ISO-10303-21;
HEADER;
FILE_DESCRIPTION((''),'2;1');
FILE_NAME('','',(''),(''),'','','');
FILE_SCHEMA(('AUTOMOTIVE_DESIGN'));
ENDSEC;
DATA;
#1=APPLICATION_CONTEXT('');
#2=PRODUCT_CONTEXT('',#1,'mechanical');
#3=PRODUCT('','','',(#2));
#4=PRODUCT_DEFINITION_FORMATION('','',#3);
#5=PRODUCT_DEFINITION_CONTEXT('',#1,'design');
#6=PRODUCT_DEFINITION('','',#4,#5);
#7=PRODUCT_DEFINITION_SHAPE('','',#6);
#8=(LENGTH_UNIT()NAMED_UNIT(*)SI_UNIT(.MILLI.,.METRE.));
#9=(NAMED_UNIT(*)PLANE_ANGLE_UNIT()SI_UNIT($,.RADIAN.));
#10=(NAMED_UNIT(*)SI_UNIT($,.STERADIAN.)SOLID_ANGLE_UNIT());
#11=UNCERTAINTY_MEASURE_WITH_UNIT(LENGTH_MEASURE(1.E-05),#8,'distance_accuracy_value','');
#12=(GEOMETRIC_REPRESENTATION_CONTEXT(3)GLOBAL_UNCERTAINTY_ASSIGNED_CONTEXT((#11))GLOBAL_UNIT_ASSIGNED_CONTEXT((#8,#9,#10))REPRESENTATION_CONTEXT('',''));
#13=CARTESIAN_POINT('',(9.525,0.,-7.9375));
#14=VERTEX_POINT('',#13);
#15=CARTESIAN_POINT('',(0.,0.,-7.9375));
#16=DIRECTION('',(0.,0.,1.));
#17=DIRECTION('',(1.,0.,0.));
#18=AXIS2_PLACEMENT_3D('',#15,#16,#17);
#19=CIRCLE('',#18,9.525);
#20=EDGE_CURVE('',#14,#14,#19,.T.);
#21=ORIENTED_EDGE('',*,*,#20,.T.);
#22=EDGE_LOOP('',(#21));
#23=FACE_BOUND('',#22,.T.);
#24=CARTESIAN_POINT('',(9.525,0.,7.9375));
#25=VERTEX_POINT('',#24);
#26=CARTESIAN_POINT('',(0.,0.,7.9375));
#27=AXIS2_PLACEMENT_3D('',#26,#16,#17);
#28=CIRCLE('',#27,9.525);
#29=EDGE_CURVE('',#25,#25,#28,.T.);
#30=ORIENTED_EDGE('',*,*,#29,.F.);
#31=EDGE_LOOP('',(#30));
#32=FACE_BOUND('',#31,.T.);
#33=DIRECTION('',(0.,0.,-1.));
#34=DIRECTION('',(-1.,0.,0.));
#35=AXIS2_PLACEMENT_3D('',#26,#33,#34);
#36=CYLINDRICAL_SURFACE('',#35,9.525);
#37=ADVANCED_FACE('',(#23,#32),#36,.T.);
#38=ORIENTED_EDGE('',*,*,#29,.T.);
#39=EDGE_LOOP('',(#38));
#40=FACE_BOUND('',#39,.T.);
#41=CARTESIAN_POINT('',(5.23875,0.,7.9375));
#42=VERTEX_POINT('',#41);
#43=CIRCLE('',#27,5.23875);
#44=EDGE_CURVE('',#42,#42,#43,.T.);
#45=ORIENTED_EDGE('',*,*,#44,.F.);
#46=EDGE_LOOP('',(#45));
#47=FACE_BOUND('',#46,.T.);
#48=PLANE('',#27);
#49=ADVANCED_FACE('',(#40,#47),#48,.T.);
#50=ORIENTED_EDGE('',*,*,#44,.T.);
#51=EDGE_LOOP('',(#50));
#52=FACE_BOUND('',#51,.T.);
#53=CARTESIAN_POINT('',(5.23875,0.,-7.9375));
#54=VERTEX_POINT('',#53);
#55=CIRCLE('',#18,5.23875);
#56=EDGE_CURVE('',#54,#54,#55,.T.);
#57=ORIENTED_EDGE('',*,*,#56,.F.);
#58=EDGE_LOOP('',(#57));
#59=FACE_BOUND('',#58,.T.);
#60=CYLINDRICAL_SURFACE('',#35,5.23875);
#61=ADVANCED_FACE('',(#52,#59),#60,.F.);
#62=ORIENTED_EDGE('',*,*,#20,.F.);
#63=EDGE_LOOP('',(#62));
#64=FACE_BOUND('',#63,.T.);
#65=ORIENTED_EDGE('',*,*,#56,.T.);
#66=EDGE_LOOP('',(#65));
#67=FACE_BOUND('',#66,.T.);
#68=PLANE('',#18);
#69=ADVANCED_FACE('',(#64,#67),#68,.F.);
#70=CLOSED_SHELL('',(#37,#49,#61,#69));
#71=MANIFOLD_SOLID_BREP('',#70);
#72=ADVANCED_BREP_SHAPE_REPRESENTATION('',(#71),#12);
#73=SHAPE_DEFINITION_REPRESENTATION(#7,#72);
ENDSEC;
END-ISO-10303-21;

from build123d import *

# Parameters (mm, degrees)
SKETCH1_R           = 9.525
SKETCH1_R_2         = 5.23875
BOSS_EXTRUDE1_DEPTH = 7.9375


with BuildPart() as part:
    # Sketch1 → Boss-Extrude1 (new, symmetric)
    with BuildSketch(Plane.XY):
        Circle(SKETCH1_R)
        Circle(SKETCH1_R_2, mode=Mode.SUBTRACT)
    extrude(amount=BOSS_EXTRUDE1_DEPTH, both=True)


solid = part.part
